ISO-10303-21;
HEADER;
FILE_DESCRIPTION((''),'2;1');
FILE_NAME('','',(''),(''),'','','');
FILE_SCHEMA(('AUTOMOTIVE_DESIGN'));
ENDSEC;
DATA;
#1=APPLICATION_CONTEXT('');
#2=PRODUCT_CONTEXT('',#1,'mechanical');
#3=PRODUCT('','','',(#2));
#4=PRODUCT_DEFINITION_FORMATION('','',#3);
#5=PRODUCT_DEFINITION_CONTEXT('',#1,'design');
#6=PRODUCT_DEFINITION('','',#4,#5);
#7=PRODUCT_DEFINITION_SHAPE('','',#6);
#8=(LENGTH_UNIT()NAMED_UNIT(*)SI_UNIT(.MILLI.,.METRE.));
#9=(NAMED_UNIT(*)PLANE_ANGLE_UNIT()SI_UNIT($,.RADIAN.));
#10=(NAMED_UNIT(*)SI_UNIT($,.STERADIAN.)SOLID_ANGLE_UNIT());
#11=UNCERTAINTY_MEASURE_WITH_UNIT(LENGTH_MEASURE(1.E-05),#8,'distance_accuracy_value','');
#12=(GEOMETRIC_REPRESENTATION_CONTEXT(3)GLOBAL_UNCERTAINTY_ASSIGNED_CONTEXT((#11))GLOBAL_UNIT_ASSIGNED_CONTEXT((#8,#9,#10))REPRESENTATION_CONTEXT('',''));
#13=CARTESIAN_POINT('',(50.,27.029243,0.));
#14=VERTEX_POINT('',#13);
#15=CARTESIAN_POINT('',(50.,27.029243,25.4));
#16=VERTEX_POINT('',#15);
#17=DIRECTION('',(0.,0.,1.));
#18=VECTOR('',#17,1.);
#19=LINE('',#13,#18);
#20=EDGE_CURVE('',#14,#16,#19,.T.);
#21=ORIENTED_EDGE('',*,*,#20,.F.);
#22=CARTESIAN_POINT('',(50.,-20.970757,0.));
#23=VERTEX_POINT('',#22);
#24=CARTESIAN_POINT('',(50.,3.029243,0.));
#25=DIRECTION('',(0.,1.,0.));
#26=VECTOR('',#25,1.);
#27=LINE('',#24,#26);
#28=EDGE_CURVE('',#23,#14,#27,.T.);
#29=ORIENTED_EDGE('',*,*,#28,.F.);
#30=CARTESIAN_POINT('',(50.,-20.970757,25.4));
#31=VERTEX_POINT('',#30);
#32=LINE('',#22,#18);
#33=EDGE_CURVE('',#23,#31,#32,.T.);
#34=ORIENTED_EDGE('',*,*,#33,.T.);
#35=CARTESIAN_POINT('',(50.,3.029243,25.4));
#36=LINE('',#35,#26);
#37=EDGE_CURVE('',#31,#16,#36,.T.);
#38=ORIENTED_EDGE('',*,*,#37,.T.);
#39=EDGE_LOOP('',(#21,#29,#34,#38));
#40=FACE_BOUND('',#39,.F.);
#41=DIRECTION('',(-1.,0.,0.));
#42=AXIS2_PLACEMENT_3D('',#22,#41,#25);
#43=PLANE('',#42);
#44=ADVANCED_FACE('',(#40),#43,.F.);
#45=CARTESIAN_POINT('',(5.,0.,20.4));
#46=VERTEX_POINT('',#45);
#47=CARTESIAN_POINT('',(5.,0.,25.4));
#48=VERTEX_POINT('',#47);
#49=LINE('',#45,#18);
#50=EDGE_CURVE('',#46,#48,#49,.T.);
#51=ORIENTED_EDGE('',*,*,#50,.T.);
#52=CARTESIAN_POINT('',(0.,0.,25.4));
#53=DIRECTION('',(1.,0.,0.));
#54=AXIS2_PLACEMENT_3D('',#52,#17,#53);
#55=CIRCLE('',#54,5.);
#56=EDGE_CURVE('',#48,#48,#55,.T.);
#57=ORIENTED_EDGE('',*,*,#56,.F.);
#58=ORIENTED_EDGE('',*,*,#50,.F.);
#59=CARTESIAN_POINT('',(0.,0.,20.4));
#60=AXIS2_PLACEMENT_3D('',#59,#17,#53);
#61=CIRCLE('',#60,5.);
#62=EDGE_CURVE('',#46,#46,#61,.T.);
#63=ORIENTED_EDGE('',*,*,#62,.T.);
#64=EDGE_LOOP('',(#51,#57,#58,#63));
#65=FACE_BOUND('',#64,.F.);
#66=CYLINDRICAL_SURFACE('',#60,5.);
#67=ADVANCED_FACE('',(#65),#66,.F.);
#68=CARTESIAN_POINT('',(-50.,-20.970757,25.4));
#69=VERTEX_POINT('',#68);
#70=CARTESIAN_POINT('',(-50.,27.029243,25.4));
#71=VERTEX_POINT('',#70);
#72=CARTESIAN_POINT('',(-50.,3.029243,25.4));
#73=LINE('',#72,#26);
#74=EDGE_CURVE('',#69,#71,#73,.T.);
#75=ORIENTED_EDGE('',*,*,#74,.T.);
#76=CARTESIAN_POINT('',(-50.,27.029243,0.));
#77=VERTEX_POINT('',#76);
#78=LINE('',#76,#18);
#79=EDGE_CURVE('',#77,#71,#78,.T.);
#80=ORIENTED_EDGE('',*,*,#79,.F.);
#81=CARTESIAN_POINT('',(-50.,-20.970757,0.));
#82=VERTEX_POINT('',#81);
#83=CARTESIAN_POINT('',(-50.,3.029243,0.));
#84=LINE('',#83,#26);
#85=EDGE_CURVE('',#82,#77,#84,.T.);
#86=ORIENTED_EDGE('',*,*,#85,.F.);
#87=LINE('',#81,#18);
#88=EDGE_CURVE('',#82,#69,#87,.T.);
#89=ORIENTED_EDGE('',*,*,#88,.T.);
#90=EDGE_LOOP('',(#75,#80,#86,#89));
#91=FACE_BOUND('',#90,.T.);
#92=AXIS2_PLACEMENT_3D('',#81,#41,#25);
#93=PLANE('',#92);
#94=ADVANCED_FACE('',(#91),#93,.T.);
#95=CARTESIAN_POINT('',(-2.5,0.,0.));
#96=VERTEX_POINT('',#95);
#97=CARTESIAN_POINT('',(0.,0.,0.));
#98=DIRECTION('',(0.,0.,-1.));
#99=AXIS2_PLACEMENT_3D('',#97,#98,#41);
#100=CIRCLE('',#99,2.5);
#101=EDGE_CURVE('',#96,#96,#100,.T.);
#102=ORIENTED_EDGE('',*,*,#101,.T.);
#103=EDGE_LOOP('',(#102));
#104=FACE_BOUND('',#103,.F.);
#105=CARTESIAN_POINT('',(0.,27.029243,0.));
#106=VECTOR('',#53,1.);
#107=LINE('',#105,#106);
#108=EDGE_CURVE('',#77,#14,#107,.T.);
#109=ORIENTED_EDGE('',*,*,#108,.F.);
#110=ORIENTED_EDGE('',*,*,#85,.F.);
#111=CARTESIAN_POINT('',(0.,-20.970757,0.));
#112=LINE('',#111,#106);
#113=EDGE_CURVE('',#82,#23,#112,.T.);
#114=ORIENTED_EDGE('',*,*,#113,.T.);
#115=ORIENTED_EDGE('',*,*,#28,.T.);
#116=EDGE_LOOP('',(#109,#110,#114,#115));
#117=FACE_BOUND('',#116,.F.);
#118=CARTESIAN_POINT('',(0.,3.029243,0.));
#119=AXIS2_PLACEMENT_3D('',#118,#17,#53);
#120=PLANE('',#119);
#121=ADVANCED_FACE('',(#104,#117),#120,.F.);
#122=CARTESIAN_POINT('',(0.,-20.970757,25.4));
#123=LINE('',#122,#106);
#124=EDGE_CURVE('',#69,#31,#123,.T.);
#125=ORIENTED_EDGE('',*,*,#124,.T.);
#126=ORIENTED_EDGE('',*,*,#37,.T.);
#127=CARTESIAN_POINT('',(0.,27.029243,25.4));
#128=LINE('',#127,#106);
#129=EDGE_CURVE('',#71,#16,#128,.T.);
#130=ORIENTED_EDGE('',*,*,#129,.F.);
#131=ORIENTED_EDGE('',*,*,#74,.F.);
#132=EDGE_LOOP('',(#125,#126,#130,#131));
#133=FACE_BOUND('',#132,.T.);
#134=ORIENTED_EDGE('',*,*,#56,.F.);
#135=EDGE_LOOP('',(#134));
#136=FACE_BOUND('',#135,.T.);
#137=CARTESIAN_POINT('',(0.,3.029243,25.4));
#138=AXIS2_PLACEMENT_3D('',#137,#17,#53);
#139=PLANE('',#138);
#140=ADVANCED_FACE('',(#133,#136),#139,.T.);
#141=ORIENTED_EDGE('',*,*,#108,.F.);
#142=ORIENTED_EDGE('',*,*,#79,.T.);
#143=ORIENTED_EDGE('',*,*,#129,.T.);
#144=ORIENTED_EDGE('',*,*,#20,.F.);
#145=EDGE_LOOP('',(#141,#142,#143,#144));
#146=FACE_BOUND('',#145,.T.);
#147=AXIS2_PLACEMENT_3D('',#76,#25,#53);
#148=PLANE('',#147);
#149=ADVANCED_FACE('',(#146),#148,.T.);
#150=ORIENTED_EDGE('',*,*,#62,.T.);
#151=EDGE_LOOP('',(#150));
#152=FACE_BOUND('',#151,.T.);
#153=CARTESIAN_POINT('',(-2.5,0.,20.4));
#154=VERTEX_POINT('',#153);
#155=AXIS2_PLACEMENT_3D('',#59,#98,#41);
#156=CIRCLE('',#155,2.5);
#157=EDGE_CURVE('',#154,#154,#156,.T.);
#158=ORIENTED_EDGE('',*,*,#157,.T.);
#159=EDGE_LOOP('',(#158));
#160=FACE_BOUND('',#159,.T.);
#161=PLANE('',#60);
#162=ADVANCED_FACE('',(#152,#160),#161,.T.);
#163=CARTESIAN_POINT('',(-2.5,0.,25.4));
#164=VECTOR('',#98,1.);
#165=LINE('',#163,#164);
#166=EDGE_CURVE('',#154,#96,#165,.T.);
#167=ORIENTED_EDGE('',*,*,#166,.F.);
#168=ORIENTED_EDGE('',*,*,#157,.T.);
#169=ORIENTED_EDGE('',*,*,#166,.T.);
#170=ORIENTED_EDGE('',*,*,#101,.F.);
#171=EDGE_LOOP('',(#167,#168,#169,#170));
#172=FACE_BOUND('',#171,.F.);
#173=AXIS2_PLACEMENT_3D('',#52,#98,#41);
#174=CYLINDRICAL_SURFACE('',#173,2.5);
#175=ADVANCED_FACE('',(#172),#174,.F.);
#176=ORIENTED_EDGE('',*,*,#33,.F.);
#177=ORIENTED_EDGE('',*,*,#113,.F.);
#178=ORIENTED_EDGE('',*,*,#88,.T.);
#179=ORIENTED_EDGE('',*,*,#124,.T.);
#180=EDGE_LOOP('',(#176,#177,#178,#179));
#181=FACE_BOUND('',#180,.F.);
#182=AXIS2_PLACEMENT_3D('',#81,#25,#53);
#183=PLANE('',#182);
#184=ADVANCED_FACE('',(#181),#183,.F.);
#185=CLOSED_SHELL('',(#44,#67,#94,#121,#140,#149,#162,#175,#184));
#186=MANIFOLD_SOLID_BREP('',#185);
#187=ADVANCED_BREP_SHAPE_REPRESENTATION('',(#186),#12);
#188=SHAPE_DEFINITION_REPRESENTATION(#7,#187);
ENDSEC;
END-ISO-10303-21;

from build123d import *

# Parameters (mm, degrees)
F0_W           = 100
F0_H           = 48
F1_DEPTH       = 25.4
F3_D           = 5
F3_CBORE_D     = 10
F3_CBORE_DEPTH = 5


with BuildPart() as f1:
    # F0 (on Top) → F1 (new body)
    with BuildSketch(Plane.XY):
        with Locations((0, 3.029243)):
            Rectangle(F0_W, F0_H)
    extrude(amount=F1_DEPTH)

    # F3 (through all)
    with Locations(Plane.XY.offset(25.4)):
        with Locations((0, 0)):
            CounterBoreHole(F3_D / 2, F3_CBORE_D / 2, F3_CBORE_DEPTH)


solid = f1.part
